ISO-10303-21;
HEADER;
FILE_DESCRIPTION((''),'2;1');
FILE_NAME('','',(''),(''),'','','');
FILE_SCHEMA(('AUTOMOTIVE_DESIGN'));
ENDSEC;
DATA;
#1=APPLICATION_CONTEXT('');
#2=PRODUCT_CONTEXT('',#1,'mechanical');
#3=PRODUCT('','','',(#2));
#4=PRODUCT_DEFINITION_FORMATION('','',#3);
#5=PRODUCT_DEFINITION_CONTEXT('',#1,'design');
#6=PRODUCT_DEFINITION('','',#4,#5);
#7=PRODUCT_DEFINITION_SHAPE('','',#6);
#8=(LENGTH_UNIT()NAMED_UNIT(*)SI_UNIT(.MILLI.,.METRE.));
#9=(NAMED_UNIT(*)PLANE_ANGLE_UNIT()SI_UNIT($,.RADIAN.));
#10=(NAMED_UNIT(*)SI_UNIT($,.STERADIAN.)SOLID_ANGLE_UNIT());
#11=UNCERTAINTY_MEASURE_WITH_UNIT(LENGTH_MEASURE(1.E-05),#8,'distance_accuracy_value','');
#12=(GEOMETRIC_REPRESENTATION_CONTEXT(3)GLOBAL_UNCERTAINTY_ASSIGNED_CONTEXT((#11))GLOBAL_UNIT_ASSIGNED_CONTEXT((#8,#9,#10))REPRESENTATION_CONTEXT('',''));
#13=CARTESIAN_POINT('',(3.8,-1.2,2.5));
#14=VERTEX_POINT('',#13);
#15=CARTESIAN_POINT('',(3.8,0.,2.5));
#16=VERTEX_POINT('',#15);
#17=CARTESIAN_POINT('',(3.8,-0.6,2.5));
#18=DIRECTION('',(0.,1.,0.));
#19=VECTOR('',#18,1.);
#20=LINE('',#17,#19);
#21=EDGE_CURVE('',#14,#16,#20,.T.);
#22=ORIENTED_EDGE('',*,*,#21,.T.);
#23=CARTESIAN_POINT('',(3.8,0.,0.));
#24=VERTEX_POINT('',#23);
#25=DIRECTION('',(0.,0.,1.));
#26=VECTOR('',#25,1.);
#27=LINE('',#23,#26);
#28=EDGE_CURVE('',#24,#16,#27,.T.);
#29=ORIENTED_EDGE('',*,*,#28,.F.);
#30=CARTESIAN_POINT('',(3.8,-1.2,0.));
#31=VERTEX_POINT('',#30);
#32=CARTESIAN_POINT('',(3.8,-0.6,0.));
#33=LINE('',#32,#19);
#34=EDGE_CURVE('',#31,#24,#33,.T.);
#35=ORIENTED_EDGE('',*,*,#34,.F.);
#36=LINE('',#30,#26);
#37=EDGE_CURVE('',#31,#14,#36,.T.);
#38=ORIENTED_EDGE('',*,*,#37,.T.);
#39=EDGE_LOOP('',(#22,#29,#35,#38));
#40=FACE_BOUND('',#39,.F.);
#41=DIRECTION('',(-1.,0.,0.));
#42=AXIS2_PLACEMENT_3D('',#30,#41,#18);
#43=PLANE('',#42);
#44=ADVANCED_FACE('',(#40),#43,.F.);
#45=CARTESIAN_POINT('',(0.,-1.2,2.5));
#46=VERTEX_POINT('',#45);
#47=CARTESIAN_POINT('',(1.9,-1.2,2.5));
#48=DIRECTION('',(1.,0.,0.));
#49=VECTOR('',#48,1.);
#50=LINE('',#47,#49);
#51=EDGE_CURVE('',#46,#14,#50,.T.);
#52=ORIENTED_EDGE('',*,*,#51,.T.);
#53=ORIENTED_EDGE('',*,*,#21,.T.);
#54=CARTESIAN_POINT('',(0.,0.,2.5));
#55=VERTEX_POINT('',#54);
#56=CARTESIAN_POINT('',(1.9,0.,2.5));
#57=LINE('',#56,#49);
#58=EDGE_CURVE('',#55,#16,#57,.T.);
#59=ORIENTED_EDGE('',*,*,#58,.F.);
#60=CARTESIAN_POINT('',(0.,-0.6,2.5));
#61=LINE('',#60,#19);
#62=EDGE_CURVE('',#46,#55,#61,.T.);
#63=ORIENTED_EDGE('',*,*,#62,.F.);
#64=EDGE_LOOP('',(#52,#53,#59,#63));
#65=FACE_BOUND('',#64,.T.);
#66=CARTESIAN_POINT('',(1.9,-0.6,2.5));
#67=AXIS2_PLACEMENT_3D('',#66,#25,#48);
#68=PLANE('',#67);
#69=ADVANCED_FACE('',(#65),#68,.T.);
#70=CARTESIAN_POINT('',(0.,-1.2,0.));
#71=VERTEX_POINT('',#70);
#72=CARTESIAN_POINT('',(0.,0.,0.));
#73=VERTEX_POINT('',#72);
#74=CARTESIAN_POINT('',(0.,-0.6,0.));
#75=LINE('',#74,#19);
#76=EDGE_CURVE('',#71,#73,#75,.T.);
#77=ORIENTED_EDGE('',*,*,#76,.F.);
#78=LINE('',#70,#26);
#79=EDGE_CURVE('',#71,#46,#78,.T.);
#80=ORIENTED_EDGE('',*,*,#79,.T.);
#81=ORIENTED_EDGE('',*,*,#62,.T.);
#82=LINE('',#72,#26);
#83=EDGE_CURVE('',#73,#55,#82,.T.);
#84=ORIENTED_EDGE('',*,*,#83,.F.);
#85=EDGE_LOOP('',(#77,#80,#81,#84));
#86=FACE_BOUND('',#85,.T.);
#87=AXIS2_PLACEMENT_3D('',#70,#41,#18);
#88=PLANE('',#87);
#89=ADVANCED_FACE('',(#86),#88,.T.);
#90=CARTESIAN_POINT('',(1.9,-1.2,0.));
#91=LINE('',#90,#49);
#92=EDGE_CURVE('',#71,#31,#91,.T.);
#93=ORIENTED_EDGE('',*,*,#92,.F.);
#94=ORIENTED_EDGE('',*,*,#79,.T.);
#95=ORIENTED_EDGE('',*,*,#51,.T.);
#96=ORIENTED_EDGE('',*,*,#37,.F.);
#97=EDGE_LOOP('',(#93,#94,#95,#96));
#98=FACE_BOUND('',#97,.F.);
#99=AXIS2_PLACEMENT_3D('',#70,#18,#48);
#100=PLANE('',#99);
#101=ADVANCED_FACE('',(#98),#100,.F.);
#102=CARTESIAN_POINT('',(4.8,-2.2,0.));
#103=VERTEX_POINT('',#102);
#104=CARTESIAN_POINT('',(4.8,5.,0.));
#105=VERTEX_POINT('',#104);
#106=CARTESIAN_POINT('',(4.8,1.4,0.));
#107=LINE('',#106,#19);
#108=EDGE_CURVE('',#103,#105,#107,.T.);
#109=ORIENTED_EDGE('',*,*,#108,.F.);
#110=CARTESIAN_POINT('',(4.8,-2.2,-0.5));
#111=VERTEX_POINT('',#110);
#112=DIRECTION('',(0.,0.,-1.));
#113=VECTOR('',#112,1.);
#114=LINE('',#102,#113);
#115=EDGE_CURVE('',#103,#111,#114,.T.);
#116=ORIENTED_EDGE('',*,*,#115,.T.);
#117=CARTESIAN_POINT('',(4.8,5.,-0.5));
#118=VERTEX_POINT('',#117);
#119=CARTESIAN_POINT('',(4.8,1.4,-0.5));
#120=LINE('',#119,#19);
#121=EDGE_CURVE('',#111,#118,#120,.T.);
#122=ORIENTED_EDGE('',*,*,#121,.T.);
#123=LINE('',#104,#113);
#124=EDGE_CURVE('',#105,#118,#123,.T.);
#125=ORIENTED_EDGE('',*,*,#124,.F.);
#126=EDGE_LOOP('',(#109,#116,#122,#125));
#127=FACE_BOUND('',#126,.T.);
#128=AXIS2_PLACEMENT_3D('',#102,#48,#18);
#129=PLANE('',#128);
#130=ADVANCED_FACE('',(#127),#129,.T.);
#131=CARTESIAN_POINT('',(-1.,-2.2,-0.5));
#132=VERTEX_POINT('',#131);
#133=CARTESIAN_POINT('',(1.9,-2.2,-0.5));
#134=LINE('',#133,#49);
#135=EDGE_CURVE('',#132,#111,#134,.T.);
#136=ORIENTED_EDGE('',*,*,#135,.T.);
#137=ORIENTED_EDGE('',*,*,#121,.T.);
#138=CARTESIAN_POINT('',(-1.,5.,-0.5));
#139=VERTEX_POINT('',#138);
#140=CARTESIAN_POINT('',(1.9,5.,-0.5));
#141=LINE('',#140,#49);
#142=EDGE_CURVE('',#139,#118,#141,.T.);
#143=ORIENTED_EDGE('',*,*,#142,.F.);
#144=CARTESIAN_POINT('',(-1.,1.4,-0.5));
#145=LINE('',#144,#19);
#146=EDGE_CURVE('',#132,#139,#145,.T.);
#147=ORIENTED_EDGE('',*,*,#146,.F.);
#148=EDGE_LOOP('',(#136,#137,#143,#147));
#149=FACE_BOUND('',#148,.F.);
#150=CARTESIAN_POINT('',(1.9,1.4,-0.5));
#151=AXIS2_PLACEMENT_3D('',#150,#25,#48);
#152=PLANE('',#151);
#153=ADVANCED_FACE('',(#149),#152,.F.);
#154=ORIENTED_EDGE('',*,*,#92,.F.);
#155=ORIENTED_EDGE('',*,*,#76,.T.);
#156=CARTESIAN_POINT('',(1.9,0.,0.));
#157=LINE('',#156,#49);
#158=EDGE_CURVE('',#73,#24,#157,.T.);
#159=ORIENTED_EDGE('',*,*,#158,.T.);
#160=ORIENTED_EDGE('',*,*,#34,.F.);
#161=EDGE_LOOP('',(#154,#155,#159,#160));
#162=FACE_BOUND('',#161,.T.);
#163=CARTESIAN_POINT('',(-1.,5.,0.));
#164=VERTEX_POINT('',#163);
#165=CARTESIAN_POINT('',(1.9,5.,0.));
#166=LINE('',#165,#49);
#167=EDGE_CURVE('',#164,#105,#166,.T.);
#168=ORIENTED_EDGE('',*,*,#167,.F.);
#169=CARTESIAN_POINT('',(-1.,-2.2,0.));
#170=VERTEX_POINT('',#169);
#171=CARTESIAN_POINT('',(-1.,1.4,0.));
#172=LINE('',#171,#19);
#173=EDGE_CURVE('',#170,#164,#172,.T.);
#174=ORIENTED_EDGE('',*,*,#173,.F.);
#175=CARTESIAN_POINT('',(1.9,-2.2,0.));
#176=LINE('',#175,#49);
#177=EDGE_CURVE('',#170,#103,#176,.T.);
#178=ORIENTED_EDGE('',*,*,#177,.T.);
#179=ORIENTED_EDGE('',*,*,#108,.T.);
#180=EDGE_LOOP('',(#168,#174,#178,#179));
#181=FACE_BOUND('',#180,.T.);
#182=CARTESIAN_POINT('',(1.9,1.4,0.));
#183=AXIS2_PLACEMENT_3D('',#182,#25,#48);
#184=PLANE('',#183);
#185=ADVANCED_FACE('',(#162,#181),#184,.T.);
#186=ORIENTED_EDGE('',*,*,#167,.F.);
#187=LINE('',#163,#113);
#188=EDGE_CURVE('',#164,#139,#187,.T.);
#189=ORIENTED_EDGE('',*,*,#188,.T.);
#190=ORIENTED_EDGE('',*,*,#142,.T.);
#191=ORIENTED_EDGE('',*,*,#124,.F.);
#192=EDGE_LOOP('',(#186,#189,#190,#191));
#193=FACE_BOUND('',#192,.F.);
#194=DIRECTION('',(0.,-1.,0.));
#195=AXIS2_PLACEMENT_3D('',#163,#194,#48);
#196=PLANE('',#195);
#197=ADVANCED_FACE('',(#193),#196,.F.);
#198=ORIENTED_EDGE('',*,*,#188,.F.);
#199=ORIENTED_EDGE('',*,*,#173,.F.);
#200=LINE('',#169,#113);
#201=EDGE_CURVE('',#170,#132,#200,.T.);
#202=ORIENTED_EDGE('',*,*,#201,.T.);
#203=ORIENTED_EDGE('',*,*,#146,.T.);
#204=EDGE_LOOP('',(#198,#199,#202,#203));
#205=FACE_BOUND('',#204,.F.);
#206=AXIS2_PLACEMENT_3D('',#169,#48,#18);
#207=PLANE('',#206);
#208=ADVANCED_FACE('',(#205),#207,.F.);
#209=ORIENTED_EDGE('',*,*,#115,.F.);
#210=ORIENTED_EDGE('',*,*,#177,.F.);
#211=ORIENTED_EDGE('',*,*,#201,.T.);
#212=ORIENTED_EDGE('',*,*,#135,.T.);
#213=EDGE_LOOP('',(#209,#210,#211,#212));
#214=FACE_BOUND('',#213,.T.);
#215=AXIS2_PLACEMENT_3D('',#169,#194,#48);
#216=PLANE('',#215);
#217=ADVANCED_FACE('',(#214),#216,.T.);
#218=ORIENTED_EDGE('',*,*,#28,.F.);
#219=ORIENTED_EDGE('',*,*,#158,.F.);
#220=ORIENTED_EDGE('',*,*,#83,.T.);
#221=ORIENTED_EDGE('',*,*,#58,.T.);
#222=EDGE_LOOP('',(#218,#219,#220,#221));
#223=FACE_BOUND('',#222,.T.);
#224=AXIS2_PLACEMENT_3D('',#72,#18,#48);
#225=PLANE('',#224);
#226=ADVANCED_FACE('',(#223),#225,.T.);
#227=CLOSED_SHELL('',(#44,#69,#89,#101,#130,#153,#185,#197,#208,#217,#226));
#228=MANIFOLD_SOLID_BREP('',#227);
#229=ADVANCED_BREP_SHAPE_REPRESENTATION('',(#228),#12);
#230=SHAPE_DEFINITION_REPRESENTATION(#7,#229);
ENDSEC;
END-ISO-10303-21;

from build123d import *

# Parameters (mm, degrees)
F0_W     = 3.8
F0_H     = 1.2
F1_DEPTH = 2.5
F0_W_2   = 5.8
F0_H_2   = 7.2
F2_DEPTH = 0.5


with BuildPart() as f1:
    # F0 (on Top) → F1 (new body)
    with BuildSketch(Plane.XY):
        with Locations((1.9, -0.6)):
            Rectangle(F0_W, F0_H)
    extrude(amount=F1_DEPTH)

    # F0 (on Top) → F2 (join)
    with BuildSketch(Plane.XY):
        with Locations((1.9, 1.4)):
            Rectangle(F0_W_2, F0_H_2)
        with Locations((1.9, -0.6)):
            Rectangle(F0_W, F0_H, mode=Mode.SUBTRACT)
        with Locations((1.9, -0.6)):
            Rectangle(F0_W, F0_H)
    extrude(amount=-F2_DEPTH)


solid = f1.part
